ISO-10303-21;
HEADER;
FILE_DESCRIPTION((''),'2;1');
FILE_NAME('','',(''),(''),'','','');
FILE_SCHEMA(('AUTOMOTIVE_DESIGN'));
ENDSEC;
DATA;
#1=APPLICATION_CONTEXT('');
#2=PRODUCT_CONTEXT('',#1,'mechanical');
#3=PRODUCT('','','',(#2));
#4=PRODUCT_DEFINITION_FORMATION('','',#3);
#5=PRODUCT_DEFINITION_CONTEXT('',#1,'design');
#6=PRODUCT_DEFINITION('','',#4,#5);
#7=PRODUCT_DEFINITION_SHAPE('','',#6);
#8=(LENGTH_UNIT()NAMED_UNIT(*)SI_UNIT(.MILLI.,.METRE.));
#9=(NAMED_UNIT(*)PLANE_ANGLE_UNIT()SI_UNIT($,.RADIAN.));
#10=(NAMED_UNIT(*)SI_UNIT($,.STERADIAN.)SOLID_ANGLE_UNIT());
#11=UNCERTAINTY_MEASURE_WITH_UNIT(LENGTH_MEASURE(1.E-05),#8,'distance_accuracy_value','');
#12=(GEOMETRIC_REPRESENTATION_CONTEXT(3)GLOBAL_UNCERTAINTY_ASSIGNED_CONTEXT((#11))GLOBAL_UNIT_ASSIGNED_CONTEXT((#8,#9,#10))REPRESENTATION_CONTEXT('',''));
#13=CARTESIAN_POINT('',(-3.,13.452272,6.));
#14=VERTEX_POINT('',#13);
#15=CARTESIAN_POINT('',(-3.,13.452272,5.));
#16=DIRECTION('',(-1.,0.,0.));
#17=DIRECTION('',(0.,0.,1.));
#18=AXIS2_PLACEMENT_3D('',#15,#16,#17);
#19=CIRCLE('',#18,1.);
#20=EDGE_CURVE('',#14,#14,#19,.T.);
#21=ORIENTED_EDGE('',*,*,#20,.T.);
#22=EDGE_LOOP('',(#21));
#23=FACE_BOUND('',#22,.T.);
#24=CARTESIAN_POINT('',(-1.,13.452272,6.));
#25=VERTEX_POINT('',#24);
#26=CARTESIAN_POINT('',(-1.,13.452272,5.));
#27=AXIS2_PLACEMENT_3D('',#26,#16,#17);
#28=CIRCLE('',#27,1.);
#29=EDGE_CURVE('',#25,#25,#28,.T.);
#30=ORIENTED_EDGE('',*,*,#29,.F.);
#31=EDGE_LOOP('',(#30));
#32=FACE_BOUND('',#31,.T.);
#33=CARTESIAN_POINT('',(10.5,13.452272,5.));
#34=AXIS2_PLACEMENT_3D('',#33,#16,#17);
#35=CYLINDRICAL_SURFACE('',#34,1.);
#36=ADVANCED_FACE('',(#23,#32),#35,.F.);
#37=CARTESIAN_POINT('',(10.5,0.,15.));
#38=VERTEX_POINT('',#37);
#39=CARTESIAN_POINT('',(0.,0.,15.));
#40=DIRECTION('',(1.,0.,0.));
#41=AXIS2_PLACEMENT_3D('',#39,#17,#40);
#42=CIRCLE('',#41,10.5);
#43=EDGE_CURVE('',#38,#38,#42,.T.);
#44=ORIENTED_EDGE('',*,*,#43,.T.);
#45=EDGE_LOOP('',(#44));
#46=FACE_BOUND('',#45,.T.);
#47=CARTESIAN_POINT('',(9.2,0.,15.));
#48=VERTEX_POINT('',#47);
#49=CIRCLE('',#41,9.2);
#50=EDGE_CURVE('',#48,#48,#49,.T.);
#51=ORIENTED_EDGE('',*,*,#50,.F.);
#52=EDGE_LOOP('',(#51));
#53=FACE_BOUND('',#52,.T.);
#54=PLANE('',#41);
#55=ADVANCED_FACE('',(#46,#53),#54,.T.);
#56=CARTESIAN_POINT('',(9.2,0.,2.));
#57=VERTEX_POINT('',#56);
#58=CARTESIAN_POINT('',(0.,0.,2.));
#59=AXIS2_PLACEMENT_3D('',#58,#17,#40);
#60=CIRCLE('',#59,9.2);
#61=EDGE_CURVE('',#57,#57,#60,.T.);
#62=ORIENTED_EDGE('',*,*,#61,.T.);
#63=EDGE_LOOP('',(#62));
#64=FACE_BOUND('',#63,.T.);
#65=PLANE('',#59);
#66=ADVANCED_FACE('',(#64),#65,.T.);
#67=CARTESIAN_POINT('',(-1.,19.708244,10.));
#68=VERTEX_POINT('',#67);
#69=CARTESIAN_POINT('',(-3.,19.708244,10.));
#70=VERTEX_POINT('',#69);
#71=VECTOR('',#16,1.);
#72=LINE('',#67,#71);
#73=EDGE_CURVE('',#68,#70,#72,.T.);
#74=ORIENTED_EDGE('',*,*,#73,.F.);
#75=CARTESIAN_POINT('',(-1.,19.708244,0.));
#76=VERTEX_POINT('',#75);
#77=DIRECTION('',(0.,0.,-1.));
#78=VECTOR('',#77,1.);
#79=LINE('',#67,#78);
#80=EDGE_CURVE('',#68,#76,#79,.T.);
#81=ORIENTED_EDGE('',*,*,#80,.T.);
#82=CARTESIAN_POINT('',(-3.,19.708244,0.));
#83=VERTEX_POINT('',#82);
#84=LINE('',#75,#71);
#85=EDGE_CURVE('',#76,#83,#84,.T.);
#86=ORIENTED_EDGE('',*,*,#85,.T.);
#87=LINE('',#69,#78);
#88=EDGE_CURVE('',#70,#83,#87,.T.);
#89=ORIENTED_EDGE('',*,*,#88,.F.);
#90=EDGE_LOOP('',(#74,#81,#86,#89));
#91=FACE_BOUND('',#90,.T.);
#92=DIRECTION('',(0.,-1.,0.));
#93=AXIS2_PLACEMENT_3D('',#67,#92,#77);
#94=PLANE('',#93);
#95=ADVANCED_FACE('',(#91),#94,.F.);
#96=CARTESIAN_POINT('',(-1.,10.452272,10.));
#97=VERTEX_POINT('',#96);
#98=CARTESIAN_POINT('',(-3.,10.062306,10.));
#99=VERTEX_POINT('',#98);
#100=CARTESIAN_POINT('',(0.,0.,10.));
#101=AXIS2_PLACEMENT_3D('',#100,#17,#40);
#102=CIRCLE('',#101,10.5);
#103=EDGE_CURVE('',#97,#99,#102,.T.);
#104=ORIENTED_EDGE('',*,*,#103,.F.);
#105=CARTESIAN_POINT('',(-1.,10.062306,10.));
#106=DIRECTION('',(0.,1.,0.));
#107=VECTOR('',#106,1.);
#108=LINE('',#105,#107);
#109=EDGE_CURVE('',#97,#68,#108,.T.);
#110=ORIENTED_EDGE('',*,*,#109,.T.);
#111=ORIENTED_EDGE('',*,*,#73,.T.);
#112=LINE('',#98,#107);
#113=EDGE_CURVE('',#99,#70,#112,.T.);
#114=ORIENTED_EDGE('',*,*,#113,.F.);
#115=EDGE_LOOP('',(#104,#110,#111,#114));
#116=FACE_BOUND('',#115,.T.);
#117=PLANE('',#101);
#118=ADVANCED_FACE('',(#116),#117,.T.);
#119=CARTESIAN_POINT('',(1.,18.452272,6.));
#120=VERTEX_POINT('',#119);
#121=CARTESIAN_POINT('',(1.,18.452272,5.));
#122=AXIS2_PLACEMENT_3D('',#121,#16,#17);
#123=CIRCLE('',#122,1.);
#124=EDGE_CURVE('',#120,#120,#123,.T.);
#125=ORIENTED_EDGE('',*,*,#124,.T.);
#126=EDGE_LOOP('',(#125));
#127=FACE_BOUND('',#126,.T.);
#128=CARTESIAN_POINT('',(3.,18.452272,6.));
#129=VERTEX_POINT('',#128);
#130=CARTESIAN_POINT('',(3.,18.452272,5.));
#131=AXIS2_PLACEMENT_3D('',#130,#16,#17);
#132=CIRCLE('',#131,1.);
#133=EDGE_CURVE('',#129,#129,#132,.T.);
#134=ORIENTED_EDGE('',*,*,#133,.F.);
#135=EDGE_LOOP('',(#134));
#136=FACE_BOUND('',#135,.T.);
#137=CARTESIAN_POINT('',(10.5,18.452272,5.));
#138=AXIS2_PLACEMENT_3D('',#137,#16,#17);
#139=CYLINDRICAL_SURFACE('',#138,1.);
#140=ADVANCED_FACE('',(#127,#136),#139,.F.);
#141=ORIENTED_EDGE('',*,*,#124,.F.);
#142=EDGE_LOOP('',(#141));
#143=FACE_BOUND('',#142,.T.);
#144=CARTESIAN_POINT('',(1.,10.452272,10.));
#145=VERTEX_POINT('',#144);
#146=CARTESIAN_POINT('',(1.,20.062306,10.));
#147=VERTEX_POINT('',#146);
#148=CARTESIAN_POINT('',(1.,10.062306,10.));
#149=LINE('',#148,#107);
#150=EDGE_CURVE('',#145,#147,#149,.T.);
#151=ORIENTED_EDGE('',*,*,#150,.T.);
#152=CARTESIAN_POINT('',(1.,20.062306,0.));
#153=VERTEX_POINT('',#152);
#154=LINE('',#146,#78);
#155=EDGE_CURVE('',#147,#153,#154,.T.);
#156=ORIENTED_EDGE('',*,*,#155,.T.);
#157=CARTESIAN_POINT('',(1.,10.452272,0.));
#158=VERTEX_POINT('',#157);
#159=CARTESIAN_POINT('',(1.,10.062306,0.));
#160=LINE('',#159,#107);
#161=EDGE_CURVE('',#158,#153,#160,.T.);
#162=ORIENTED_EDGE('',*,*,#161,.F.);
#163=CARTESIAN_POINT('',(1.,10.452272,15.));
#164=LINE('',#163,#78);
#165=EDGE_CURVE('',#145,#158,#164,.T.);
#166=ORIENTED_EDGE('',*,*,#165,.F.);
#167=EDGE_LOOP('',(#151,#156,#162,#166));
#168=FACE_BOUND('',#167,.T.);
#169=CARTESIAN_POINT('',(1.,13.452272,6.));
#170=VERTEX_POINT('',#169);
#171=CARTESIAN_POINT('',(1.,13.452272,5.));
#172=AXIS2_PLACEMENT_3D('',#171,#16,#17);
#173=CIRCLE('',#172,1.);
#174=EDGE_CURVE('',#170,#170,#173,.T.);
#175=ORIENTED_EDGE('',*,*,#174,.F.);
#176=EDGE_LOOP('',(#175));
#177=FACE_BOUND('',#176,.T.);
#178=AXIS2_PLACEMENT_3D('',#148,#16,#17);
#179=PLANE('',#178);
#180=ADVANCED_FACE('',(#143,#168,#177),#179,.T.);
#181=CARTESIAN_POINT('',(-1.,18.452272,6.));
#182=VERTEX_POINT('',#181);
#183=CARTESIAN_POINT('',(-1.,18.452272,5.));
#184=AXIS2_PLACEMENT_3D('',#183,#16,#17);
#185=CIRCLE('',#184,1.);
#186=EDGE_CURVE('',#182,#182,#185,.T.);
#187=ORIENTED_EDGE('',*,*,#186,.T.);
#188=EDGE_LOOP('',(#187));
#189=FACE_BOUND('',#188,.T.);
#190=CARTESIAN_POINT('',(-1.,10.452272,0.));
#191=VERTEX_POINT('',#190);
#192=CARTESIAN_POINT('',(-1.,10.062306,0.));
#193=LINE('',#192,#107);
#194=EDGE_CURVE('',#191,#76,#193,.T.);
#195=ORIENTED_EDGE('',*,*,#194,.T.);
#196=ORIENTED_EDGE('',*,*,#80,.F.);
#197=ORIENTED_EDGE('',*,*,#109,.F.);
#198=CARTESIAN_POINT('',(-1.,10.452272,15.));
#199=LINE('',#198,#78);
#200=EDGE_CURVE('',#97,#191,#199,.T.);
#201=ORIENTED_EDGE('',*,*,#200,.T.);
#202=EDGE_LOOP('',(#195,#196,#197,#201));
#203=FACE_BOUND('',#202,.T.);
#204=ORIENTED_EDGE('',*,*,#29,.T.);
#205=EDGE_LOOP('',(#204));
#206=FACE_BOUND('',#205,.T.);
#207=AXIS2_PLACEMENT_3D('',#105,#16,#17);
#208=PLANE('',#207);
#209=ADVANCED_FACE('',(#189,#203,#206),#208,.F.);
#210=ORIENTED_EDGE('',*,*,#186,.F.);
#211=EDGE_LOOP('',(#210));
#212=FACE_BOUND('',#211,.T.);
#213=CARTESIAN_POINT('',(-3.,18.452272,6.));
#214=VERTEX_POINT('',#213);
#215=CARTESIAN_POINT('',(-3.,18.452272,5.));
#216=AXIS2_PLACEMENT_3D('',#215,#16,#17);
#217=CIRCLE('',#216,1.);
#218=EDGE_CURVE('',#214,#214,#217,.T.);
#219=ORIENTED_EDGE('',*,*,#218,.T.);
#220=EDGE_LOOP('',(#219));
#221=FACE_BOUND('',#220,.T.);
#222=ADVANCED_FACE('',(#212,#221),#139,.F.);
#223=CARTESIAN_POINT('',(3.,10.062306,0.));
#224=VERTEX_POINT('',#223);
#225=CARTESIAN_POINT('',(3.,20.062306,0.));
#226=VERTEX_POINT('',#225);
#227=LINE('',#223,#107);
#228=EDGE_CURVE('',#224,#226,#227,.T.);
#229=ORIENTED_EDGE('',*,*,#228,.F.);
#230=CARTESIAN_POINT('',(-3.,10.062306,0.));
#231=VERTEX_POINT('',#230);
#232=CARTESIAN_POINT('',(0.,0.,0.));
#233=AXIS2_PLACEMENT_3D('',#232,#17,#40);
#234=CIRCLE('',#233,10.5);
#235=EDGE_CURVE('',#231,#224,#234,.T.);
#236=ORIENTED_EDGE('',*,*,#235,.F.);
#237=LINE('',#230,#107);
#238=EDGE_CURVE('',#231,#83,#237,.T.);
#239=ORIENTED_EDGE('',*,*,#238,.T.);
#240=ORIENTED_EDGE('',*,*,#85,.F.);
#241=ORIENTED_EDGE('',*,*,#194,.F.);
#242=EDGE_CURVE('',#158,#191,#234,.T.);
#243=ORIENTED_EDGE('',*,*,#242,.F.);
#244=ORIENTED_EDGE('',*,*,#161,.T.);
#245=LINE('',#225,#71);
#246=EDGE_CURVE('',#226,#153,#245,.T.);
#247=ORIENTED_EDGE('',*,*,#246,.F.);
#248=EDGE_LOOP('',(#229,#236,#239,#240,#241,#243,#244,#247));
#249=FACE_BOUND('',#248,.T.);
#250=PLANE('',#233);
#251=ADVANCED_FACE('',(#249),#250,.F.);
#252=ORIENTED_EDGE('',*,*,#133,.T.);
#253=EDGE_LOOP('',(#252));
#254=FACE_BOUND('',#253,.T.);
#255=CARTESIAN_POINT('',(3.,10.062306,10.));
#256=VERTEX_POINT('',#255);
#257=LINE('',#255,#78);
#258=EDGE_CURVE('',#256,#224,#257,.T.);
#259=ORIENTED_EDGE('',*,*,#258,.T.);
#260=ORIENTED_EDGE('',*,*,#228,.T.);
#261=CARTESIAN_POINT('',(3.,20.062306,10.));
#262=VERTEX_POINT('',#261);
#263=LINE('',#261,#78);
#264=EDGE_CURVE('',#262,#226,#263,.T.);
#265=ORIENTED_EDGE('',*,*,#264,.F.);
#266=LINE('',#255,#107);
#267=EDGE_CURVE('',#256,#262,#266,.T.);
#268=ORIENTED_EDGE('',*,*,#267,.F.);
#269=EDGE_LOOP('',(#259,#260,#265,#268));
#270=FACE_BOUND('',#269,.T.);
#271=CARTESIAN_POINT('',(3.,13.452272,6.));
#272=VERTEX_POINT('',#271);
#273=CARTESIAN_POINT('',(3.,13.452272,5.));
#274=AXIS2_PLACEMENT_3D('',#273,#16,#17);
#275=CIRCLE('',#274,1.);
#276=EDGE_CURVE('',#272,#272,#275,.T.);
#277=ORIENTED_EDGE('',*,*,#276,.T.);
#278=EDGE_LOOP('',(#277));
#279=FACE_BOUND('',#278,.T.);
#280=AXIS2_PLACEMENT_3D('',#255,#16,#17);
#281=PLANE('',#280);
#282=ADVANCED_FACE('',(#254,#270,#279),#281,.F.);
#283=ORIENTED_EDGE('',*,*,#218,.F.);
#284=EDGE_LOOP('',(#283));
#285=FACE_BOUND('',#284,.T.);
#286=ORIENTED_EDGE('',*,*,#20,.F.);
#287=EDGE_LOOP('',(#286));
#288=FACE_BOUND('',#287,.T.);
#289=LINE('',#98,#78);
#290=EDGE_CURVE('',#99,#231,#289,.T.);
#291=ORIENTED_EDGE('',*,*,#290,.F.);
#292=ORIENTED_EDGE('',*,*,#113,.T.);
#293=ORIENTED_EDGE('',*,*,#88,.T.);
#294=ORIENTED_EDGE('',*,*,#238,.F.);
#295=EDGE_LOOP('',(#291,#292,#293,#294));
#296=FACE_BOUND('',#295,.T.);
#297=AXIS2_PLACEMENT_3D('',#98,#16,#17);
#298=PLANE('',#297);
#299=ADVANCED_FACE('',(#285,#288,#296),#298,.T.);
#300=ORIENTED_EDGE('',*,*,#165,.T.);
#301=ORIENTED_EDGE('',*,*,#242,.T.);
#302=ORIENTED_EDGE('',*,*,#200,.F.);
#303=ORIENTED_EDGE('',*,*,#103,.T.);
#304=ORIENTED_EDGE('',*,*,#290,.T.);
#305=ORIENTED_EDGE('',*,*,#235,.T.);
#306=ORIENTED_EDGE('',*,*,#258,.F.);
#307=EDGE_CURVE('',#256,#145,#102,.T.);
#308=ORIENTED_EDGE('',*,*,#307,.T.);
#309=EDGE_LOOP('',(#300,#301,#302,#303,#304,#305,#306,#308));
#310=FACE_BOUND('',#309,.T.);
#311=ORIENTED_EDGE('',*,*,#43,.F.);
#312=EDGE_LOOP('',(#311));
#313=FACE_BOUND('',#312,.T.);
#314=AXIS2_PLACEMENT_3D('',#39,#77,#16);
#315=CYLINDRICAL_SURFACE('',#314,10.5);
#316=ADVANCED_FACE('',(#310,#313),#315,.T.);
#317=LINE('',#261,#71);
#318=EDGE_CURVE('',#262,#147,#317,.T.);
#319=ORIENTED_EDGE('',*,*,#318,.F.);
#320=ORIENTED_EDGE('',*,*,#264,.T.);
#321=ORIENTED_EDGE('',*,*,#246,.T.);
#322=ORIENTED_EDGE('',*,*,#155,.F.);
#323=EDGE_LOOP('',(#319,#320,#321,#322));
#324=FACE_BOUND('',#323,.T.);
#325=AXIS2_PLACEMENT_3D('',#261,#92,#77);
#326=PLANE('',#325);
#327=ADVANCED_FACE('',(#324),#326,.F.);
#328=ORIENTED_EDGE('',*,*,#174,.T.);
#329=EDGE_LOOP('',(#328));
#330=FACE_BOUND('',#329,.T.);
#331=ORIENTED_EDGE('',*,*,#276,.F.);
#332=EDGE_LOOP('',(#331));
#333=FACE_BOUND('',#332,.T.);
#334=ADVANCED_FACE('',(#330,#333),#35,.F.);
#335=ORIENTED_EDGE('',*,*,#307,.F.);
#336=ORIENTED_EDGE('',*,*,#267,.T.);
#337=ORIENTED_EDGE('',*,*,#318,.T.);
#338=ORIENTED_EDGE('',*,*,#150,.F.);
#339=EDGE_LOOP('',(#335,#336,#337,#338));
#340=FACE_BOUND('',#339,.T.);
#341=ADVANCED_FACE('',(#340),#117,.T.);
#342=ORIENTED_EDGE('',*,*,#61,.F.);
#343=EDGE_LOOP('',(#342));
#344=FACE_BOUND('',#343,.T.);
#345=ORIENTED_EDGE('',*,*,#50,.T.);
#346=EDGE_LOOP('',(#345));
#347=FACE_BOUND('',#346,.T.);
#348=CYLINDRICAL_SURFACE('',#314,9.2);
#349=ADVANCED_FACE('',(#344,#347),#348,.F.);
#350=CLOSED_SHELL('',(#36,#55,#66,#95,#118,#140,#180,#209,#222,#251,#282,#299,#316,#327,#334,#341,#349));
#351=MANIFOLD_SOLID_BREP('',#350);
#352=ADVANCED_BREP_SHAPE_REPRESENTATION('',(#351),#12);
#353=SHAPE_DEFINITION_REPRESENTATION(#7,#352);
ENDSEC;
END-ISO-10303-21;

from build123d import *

# Parameters (mm, degrees)
SKETCH5_R               = 10.5
SKETCH5_R_2             = 9.2
BOSS_EXTRUDE1_DEPTH     = 15
SKETCH6_R               = 10.5
BOSS_EXTRUDE2_DEPTH     = 2
SKETCH7_W               = 2
SKETCH7_H               = 10
EXTRUDE_THIN1_DEPTH     = 10
SKETCH8_W               = 2
SKETCH8_H               = 9.64593802
EXTRUDE_THIN2_DEPTH     = 10
CUT_EXTRUDE1_DEPTH      = 29.456038339
CUT_EXTRUDE1_DEPTH_BACK = 29.456038339
SKETCH9_R               = 1


with BuildPart() as part:
    # Sketch5 → Boss-Extrude1 (new body)
    with BuildSketch(Plane.XY):
        Circle(SKETCH5_R)
        Circle(SKETCH5_R_2, mode=Mode.SUBTRACT)
    extrude(amount=BOSS_EXTRUDE1_DEPTH)

    # Sketch6 → Boss-Extrude2 (add)
    with BuildSketch(Plane.XY):
        Circle(SKETCH6_R)
    extrude(amount=BOSS_EXTRUDE2_DEPTH)

    # Sketch7 → Extrude-Thin1 (add)
    with BuildSketch(Plane(origin=(0, 0, 0), x_dir=(-1, 0, 0), z_dir=(0, 0, -1))):
        with Locations((-2, 15.062305899)):
            Rectangle(SKETCH7_W, SKETCH7_H)
    extrude(amount=-EXTRUDE_THIN1_DEPTH)

    # Sketch8 → Extrude-Thin2 (add)
    with BuildSketch(Plane(origin=(0, 0, 0), x_dir=(-1, 0, 0), z_dir=(0, 0, -1))):
        with Locations((2, 14.885274909)):
            Rectangle(SKETCH8_W, SKETCH8_H)
    extrude(amount=-EXTRUDE_THIN2_DEPTH)

    # Sketch9 → Cut-Extrude1 (cut, two sides: drawn at the far end of the back side and taken through both)
    with BuildSketch(Plane.ZY.offset(3).offset(-CUT_EXTRUDE1_DEPTH_BACK)):
        with Locations((5, 13.45227248)):
            Circle(SKETCH9_R)
        with Locations((5, 18.45227248)):
            Circle(SKETCH9_R)
    extrude(amount=CUT_EXTRUDE1_DEPTH + CUT_EXTRUDE1_DEPTH_BACK, mode=Mode.SUBTRACT)


solid = part.part
